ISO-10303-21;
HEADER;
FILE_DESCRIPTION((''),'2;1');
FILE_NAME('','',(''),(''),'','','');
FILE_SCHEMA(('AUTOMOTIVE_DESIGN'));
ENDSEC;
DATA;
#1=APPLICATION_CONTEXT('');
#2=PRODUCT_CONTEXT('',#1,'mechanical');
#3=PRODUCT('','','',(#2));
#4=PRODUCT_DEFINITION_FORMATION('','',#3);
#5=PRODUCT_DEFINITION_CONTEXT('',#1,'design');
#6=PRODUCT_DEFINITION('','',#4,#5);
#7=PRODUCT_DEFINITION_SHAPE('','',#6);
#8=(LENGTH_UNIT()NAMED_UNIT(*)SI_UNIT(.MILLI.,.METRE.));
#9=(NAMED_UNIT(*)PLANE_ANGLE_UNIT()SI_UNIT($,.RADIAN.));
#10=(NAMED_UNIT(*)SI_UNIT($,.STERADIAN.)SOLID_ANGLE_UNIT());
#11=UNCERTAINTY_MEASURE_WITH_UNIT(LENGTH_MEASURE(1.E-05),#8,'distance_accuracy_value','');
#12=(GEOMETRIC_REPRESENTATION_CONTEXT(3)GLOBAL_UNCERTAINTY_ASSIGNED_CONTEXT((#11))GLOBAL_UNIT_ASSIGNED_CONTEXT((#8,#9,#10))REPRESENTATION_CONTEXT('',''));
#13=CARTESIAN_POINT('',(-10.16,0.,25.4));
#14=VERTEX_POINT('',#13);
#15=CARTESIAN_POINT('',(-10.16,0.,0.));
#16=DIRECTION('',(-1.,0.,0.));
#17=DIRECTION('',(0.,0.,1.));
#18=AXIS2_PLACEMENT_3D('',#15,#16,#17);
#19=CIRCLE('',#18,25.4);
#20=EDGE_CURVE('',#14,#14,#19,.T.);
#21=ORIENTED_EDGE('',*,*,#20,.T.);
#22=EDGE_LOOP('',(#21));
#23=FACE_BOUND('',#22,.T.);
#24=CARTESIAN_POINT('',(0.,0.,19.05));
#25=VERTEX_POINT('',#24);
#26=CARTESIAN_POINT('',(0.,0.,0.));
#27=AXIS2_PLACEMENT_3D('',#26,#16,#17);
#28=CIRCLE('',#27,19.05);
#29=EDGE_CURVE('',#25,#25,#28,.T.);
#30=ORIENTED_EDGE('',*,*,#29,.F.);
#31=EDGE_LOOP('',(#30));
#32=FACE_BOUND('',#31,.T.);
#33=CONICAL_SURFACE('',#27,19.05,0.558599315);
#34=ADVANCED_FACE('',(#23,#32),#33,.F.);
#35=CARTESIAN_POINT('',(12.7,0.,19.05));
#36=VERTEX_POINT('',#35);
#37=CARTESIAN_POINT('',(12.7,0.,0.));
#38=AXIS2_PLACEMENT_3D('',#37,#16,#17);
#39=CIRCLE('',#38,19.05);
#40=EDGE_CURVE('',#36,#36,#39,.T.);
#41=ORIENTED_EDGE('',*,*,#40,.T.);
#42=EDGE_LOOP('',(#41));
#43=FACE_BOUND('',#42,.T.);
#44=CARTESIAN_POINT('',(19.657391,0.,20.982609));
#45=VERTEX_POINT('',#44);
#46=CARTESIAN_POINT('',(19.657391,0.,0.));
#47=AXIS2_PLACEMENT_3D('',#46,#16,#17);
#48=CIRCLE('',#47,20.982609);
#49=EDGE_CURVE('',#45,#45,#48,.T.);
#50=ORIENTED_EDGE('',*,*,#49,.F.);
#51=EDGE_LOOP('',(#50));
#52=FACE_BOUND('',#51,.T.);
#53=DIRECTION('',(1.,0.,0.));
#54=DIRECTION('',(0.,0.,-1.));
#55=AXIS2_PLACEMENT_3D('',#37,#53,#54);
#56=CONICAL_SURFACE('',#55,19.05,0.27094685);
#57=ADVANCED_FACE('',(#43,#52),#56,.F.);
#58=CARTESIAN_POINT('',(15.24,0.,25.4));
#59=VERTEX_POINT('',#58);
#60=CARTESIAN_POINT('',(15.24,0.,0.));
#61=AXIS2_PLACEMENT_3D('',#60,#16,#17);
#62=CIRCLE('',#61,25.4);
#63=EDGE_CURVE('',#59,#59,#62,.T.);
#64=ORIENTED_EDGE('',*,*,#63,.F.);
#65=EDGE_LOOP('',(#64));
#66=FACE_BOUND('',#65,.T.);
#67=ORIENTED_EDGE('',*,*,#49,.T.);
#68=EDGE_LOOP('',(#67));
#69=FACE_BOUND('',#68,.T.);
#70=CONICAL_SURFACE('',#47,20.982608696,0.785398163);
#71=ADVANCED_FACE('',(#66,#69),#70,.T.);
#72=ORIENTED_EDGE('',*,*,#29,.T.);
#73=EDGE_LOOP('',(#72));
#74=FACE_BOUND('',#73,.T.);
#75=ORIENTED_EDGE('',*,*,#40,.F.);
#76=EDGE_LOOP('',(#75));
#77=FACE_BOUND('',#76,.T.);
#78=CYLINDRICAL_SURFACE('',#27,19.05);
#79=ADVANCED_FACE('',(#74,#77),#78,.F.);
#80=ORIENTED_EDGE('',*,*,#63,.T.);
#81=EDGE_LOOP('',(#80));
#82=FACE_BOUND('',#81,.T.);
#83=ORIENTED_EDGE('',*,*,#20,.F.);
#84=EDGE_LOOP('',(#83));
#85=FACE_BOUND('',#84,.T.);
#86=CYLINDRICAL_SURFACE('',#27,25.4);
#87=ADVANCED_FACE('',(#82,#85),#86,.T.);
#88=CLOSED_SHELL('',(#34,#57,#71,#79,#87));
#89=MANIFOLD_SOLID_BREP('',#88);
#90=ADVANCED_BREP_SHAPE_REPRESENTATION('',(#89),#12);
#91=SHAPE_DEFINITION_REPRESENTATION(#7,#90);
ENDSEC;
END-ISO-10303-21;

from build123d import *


with BuildPart() as part:
    # Sketch2 → Revolve2 (revolve)
    with BuildSketch(Plane.XY, mode=Mode.PRIVATE) as revolve2_sk:
        Polygon((-10.16, 25.4), (0, 19.05), (12.7, 19.05), (19.657391304, 20.982608696), (15.24, 25.4), align=None)
    revolve(revolve2_sk.sketch.rotate(Axis((0, 0, 0), (1, 0, 0)), 90), axis=Axis((0, 0, 0), (1, 0, 0)))


solid = part.part
